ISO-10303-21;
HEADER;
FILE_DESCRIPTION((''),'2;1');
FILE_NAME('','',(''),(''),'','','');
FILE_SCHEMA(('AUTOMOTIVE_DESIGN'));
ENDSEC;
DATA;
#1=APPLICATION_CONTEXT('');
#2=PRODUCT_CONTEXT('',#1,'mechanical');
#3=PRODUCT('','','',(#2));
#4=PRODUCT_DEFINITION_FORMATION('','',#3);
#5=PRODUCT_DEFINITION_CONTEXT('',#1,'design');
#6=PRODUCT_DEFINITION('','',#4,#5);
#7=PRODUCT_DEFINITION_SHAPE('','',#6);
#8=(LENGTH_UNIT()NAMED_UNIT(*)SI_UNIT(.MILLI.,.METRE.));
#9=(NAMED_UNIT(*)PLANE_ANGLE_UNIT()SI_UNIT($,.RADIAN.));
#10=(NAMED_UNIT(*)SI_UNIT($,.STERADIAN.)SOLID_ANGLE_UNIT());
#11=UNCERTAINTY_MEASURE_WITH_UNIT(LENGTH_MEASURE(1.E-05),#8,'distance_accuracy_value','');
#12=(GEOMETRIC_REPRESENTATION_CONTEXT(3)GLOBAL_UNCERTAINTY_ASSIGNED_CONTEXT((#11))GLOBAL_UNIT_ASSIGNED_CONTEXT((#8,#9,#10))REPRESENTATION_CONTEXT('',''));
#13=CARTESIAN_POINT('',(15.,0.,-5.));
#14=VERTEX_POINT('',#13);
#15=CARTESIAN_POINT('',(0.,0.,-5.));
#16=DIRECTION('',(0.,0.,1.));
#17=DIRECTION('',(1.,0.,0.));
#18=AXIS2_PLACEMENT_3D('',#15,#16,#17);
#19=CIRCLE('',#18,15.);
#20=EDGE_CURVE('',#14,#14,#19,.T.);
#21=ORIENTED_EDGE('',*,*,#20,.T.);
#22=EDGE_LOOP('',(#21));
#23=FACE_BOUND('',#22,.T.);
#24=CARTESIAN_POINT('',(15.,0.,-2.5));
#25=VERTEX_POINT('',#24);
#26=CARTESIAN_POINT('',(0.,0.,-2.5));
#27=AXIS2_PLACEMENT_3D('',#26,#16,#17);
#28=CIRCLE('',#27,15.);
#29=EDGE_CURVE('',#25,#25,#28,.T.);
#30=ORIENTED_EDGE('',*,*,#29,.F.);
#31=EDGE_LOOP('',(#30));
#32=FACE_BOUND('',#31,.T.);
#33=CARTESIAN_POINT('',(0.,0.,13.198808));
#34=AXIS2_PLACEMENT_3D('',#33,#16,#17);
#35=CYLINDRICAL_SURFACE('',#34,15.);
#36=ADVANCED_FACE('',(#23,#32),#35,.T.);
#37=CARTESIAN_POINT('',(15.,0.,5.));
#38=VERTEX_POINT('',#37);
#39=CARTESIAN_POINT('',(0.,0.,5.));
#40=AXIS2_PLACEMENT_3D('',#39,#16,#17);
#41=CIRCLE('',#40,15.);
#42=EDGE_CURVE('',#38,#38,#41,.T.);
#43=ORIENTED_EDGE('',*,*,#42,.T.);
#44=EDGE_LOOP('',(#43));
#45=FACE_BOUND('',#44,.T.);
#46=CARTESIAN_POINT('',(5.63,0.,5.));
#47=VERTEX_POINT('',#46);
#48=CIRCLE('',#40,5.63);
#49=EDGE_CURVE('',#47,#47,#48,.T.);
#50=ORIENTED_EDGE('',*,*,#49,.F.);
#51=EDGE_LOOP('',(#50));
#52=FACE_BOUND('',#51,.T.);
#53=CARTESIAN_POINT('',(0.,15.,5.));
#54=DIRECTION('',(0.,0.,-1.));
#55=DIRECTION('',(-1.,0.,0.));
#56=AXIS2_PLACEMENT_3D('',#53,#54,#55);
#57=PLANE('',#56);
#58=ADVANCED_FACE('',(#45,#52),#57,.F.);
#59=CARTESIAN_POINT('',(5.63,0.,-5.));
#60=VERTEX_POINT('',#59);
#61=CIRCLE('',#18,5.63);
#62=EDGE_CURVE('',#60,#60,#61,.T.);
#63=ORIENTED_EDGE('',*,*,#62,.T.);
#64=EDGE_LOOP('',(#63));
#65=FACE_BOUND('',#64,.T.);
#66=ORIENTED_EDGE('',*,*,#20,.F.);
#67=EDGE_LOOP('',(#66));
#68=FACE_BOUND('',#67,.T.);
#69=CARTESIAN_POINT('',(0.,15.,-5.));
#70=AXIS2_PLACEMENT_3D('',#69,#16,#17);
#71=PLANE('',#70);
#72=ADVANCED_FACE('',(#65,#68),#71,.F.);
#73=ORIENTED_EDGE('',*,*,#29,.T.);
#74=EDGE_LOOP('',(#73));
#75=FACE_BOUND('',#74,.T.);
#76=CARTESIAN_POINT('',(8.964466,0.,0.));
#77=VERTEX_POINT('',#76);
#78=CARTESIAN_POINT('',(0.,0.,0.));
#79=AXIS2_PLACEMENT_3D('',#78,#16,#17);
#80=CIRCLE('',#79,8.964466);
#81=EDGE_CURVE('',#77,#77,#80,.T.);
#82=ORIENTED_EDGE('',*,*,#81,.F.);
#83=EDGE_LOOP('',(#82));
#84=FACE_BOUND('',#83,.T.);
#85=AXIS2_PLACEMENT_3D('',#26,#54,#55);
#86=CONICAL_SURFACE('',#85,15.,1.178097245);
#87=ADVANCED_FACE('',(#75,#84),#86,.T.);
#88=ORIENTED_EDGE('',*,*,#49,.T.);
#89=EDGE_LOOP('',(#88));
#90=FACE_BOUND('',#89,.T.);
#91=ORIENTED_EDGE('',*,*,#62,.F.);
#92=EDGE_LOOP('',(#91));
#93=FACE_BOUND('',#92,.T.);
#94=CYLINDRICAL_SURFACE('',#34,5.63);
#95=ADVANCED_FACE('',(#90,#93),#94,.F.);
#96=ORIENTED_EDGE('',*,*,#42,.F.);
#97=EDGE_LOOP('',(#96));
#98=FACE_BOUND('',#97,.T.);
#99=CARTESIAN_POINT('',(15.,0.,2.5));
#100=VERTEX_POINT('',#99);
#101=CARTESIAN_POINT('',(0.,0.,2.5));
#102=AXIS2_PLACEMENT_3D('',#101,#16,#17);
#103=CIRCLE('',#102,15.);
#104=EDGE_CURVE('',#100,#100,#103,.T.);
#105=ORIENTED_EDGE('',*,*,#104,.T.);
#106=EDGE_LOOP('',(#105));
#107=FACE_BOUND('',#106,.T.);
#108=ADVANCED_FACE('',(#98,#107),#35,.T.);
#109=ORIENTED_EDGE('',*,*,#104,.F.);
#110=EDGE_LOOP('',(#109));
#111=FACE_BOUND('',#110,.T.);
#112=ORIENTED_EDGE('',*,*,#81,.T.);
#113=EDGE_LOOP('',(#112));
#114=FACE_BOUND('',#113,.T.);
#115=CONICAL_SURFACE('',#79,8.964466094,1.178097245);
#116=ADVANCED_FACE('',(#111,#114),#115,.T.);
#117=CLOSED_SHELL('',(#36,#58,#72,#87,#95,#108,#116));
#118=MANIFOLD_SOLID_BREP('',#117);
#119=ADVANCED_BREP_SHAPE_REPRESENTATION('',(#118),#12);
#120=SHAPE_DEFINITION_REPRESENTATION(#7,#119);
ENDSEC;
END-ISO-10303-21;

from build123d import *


with BuildPart() as part:
    # Çizim1 → Döndür1 (revolve)
    with BuildSketch(Plane(origin=(0, 0, 0), x_dir=(0, 0, -1), z_dir=(1, 0, 0)), mode=Mode.PRIVATE) as d_nd_r1_sk:
        Polygon((-2.5, 15), (0, 8.964466094), (2.5, 15), (5, 15), (5, 5.63), (-5, 5.63), (-5, 15), align=None)
    revolve(d_nd_r1_sk.sketch.rotate(Axis((0, 0, 13.198807947), (0, 0, -1)), 90), axis=Axis((0, 0, 13.198807947), (0, 0, -1)))


solid = part.part
